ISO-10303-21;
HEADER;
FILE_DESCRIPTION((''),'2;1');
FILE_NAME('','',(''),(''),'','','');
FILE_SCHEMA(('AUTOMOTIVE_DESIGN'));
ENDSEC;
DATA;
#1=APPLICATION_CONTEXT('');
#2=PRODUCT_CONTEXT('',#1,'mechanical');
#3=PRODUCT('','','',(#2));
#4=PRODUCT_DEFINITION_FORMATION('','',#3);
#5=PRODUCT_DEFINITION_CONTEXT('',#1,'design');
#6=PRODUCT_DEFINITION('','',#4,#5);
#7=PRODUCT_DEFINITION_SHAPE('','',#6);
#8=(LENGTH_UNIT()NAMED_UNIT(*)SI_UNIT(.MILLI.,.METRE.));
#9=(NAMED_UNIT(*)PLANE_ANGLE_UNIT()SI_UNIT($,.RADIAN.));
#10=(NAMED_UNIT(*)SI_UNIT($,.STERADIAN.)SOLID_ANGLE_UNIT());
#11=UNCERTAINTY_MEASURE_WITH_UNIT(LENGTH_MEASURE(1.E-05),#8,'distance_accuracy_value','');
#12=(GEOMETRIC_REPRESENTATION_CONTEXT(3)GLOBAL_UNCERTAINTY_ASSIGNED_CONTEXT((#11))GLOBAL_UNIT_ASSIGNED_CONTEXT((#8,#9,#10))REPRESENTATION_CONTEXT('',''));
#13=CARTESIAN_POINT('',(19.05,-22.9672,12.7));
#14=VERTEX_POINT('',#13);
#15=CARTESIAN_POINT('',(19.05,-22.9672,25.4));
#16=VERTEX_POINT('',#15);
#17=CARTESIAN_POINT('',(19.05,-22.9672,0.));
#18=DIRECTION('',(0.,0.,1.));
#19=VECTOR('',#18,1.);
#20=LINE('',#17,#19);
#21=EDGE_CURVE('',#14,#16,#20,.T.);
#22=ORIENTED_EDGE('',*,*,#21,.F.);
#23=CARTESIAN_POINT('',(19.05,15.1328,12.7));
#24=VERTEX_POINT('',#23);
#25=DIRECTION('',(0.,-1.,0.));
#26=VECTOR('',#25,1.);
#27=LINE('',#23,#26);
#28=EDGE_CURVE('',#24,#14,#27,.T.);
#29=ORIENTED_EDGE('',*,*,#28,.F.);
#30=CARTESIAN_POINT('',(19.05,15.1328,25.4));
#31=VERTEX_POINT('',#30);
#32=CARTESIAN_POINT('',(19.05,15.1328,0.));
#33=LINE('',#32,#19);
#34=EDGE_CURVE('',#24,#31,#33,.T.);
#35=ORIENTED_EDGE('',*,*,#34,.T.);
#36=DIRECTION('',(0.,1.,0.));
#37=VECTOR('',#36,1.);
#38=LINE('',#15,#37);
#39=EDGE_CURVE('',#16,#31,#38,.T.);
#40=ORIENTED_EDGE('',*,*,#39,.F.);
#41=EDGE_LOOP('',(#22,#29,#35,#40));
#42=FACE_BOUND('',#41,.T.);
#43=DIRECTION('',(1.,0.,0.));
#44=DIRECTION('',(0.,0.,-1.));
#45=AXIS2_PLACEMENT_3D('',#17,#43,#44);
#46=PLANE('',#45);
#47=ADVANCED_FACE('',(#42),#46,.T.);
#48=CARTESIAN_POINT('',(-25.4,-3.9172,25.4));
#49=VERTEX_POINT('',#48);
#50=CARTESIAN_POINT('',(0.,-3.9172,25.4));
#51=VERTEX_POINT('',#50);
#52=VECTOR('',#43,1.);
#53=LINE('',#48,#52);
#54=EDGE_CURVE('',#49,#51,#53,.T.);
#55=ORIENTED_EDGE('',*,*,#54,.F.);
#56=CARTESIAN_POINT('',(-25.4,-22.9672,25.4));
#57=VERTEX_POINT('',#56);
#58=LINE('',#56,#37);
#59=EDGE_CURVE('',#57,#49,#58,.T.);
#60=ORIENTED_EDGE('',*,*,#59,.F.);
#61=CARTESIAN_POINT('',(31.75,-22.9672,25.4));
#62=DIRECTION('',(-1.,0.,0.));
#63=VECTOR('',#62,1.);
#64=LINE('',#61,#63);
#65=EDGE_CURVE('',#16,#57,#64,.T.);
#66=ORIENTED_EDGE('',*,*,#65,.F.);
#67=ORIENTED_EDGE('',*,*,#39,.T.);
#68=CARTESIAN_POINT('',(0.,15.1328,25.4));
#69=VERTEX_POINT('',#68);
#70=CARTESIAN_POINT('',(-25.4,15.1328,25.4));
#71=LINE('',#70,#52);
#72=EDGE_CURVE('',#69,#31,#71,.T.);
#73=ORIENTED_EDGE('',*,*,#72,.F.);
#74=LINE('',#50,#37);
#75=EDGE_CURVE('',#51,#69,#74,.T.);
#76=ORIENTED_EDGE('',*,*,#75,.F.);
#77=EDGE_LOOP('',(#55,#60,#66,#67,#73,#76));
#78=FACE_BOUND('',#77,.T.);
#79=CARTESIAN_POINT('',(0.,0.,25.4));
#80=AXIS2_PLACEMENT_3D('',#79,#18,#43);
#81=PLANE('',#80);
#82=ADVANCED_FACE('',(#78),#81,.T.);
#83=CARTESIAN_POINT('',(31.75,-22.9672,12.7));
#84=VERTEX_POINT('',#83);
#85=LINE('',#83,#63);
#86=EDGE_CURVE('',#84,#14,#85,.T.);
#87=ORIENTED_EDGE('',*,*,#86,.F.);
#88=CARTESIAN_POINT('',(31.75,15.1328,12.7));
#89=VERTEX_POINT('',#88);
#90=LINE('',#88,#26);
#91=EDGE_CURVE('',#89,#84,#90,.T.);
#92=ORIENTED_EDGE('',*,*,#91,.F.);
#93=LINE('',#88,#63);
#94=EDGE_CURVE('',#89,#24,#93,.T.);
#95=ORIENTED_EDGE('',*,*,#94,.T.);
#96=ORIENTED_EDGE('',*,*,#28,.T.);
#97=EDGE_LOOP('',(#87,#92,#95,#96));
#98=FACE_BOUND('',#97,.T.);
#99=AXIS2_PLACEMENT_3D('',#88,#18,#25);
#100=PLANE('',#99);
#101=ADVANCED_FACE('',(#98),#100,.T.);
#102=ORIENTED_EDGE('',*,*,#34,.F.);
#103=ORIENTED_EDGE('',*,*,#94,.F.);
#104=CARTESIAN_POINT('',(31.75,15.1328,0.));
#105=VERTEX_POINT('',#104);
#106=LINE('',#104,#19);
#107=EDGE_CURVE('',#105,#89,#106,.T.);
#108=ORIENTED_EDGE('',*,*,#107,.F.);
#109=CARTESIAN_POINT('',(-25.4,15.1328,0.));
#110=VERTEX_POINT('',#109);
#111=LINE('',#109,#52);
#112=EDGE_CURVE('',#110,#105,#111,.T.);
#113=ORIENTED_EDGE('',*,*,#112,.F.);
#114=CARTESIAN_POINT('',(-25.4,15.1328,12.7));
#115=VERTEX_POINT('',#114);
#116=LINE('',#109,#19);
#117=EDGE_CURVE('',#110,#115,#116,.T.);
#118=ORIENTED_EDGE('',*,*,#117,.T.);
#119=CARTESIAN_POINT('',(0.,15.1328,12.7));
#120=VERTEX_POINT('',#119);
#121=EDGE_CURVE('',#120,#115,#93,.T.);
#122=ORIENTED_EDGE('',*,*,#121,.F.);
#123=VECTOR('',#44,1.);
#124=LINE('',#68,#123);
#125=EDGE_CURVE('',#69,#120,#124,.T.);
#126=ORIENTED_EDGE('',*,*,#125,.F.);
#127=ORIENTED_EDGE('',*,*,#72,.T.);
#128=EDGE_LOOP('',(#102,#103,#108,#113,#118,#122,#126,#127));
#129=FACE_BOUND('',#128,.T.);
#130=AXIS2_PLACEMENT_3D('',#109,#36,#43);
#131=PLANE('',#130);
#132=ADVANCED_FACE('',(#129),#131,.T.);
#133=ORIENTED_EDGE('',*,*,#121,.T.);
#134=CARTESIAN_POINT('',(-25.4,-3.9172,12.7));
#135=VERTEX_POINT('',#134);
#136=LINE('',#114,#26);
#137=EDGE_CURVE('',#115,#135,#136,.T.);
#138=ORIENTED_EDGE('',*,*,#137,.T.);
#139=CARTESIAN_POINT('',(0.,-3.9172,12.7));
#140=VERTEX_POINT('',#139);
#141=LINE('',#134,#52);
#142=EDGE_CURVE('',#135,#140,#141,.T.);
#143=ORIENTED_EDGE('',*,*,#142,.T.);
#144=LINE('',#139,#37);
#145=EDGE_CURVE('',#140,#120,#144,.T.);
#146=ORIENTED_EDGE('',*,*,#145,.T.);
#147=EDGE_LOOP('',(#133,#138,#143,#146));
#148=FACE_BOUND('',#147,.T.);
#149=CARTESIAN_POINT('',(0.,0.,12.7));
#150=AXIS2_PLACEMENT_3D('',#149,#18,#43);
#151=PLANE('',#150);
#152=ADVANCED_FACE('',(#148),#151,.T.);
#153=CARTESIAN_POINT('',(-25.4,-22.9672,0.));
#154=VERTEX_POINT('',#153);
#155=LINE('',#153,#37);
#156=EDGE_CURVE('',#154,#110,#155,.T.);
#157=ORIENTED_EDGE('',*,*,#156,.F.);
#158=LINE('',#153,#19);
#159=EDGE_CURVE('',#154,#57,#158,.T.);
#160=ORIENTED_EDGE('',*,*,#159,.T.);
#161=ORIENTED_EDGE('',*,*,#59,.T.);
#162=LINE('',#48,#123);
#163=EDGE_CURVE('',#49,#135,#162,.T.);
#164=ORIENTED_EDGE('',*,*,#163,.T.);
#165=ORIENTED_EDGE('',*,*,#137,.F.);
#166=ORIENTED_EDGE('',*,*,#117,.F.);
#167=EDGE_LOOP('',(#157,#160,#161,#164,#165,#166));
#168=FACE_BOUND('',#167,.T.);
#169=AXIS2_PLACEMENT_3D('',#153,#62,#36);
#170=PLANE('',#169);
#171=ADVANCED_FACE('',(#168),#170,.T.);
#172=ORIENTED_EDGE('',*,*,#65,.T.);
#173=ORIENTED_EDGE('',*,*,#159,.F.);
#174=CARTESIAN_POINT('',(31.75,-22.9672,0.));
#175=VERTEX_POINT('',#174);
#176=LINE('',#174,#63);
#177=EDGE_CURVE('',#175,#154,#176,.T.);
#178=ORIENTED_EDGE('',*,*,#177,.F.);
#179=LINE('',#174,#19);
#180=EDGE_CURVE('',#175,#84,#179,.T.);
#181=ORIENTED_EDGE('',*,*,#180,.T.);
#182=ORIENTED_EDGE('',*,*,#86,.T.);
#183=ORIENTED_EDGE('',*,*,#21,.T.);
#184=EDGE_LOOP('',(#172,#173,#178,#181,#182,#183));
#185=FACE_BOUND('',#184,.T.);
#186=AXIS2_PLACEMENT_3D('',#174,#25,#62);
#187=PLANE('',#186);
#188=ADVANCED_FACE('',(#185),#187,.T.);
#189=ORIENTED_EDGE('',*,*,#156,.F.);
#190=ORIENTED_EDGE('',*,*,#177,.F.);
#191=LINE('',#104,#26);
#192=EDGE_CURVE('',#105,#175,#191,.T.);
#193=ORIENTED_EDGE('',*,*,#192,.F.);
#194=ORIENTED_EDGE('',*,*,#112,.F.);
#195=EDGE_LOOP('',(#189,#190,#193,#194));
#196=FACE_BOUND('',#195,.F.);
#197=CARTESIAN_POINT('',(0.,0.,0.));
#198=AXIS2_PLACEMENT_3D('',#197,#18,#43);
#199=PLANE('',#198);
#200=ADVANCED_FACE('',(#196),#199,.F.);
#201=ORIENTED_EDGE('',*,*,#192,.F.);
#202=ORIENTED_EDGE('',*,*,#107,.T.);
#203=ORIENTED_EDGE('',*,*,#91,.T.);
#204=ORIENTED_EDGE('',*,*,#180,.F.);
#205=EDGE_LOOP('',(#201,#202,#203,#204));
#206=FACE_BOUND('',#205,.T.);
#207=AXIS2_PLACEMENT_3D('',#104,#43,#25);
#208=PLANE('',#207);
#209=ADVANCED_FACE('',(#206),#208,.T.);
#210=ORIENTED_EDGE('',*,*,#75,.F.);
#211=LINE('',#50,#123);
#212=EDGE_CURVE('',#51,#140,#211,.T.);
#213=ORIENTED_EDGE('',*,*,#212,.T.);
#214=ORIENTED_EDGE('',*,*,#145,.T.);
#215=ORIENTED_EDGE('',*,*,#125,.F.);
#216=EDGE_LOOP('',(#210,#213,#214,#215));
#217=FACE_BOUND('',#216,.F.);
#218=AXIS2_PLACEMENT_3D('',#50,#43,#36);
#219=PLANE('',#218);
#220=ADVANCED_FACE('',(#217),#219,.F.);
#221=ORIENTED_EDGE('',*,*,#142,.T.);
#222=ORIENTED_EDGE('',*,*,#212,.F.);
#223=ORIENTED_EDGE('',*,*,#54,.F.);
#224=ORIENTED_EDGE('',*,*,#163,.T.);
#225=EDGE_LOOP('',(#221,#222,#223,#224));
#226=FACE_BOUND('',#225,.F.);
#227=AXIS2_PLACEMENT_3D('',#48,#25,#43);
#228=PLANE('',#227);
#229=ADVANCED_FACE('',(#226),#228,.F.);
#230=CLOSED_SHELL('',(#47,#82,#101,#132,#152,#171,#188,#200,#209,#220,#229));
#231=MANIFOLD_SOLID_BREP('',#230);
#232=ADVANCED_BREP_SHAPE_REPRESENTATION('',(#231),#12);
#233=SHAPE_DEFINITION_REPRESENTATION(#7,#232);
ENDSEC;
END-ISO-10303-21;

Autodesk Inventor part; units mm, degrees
ref_plane "YZ Plane" through (0, 0, 0) normal (1, 0, 0) x (0, 1, 0)
ref_plane "XZ Plane" through (0, 0, 0) normal (0, 1, 0) x (-1, 0, 0)
ref_plane "XY Plane" through (0, 0, 0) normal (0, 0, 1) x (1, 0, 0)
sketch "Sketch1" plane through (0, 0, 0) normal (0, 0, 1) x (1, 0, 0)
  line L0 (-25.4, 15.1328) -> (31.75, 15.1328)
  line L1 (31.75, 15.1328) -> (31.75, -22.9672)
  line L2 (31.75, -22.9672) -> (-25.4, -22.9672)
  line L3 (-25.4, -22.9672) -> (-25.4, 15.1328)
  point P0 (0, 0)
  dimension "d0" = 57.15
  dimension "d1" = 38.1
extrude "Extrusion1" add sketch "Sketch1" along normal blind 25.4
sketch "Sketch2" plane through (0, 0, 25.4) normal (0, 0, 1) x (1, 0, 0)
  line L0 (-25.4, 15.1328) -> (-25.4, -22.9672) projected
  line L1 (31.75, 15.1328) -> (-25.4, 15.1328) projected
  line L2 (-25.4, -3.9172) -> (0, -3.9172)
  line L3 (0, -3.9172) -> (0, 15.1328)
  line L4 (0, 15.1328) -> (-25.4, 15.1328)
  line L5 (-25.4, 15.1328) -> (-25.4, -3.9172)
  point P0 (0, 0)
  dimension "d4" = 19.05
  dimension "d5" = 25.4
extrude "Extrusion2" cut sketch "Sketch2" against normal blind 12.7
sketch "Sketch3" plane through (31.75, -22.9672, 0) normal (1, 0, 0) x (0, 0, -1)
  line L0 (0, 0) -> (-25.4, 0) projected
  line L1 (0, 38.1) -> (-25.4, 38.1) projected
  line L2 (-12.7, 0) -> (-25.4, 0)
  line L3 (-25.4, 0) -> (-25.4, 38.1)
  line L4 (-25.4, 38.1) -> (-12.7, 38.1)
  line L5 (-12.7, 38.1) -> (-12.7, 0)
  point P0 (0, 22.9672)
  dimension "d8" = 12.7
extrude "Extrusion3" cut sketch "Sketch3" against normal blind 12.7
properties part number "Figure 7_27_3"
